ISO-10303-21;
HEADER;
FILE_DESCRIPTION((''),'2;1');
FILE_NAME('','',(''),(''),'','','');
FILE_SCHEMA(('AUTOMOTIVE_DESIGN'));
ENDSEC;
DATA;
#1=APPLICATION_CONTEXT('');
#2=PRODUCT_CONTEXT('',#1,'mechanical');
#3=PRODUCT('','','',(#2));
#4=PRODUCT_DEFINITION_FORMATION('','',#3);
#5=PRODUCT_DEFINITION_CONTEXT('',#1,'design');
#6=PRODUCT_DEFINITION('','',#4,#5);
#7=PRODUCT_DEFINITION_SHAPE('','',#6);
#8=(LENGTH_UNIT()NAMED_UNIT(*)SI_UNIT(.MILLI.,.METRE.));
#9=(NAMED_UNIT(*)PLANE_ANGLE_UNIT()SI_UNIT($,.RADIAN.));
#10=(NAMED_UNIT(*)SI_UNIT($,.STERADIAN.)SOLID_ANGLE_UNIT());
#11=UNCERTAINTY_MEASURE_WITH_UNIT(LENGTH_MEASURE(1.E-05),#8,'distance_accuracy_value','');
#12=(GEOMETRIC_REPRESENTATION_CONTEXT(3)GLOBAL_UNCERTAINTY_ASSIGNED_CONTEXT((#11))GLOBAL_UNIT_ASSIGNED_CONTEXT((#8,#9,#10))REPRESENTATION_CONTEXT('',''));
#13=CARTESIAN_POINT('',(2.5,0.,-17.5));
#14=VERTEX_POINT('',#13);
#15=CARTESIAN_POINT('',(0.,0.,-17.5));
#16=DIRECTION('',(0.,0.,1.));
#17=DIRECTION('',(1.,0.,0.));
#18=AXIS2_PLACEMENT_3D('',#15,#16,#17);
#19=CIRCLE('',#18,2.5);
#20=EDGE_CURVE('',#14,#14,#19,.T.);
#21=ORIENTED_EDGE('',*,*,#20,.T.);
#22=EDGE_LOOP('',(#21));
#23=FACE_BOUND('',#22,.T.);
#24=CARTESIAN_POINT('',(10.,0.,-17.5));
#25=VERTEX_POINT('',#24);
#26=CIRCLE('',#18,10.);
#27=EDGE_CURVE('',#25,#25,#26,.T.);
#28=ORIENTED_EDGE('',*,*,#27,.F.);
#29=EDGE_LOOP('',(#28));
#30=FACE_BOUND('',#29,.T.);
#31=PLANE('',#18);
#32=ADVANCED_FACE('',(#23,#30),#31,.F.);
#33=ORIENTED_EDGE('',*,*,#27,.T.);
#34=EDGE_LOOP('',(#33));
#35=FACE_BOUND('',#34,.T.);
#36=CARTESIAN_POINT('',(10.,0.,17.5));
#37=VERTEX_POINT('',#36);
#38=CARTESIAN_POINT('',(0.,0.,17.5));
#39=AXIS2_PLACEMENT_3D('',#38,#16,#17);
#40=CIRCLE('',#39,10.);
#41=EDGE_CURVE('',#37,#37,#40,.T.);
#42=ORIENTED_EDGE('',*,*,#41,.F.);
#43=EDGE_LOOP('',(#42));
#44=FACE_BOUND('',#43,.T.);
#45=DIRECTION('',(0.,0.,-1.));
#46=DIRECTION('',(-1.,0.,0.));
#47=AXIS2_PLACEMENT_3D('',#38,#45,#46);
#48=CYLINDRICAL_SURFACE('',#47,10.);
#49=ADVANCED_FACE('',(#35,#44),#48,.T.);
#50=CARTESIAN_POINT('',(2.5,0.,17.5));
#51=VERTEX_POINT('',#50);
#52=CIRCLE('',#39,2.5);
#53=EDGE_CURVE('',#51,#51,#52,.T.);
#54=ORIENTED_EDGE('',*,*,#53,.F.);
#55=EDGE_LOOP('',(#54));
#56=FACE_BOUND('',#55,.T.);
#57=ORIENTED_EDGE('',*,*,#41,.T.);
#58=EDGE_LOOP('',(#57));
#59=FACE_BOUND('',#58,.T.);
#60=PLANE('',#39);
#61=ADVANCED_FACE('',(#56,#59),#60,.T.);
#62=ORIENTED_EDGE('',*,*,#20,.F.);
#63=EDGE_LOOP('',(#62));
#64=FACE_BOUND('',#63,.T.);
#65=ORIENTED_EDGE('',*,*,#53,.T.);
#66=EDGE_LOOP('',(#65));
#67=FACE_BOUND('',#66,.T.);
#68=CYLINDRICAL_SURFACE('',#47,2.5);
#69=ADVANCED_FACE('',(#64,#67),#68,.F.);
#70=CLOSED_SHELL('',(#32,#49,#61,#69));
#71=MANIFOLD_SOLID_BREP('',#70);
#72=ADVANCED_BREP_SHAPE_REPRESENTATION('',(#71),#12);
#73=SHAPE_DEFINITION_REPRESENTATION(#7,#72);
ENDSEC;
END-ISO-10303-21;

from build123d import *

# Parameters (mm, degrees)
CROQUIS1_R              = 10
CROQUIS1_R_2            = 2.5
SALIENTE_EXTRUIR1_DEPTH = 17.5


with BuildPart() as part:
    # Croquis1 → Saliente-Extruir1 (new body, symmetric)
    with BuildSketch(Plane.XY):
        Circle(CROQUIS1_R)
        Circle(CROQUIS1_R_2, mode=Mode.SUBTRACT)
    extrude(amount=SALIENTE_EXTRUIR1_DEPTH, both=True)


solid = part.part
